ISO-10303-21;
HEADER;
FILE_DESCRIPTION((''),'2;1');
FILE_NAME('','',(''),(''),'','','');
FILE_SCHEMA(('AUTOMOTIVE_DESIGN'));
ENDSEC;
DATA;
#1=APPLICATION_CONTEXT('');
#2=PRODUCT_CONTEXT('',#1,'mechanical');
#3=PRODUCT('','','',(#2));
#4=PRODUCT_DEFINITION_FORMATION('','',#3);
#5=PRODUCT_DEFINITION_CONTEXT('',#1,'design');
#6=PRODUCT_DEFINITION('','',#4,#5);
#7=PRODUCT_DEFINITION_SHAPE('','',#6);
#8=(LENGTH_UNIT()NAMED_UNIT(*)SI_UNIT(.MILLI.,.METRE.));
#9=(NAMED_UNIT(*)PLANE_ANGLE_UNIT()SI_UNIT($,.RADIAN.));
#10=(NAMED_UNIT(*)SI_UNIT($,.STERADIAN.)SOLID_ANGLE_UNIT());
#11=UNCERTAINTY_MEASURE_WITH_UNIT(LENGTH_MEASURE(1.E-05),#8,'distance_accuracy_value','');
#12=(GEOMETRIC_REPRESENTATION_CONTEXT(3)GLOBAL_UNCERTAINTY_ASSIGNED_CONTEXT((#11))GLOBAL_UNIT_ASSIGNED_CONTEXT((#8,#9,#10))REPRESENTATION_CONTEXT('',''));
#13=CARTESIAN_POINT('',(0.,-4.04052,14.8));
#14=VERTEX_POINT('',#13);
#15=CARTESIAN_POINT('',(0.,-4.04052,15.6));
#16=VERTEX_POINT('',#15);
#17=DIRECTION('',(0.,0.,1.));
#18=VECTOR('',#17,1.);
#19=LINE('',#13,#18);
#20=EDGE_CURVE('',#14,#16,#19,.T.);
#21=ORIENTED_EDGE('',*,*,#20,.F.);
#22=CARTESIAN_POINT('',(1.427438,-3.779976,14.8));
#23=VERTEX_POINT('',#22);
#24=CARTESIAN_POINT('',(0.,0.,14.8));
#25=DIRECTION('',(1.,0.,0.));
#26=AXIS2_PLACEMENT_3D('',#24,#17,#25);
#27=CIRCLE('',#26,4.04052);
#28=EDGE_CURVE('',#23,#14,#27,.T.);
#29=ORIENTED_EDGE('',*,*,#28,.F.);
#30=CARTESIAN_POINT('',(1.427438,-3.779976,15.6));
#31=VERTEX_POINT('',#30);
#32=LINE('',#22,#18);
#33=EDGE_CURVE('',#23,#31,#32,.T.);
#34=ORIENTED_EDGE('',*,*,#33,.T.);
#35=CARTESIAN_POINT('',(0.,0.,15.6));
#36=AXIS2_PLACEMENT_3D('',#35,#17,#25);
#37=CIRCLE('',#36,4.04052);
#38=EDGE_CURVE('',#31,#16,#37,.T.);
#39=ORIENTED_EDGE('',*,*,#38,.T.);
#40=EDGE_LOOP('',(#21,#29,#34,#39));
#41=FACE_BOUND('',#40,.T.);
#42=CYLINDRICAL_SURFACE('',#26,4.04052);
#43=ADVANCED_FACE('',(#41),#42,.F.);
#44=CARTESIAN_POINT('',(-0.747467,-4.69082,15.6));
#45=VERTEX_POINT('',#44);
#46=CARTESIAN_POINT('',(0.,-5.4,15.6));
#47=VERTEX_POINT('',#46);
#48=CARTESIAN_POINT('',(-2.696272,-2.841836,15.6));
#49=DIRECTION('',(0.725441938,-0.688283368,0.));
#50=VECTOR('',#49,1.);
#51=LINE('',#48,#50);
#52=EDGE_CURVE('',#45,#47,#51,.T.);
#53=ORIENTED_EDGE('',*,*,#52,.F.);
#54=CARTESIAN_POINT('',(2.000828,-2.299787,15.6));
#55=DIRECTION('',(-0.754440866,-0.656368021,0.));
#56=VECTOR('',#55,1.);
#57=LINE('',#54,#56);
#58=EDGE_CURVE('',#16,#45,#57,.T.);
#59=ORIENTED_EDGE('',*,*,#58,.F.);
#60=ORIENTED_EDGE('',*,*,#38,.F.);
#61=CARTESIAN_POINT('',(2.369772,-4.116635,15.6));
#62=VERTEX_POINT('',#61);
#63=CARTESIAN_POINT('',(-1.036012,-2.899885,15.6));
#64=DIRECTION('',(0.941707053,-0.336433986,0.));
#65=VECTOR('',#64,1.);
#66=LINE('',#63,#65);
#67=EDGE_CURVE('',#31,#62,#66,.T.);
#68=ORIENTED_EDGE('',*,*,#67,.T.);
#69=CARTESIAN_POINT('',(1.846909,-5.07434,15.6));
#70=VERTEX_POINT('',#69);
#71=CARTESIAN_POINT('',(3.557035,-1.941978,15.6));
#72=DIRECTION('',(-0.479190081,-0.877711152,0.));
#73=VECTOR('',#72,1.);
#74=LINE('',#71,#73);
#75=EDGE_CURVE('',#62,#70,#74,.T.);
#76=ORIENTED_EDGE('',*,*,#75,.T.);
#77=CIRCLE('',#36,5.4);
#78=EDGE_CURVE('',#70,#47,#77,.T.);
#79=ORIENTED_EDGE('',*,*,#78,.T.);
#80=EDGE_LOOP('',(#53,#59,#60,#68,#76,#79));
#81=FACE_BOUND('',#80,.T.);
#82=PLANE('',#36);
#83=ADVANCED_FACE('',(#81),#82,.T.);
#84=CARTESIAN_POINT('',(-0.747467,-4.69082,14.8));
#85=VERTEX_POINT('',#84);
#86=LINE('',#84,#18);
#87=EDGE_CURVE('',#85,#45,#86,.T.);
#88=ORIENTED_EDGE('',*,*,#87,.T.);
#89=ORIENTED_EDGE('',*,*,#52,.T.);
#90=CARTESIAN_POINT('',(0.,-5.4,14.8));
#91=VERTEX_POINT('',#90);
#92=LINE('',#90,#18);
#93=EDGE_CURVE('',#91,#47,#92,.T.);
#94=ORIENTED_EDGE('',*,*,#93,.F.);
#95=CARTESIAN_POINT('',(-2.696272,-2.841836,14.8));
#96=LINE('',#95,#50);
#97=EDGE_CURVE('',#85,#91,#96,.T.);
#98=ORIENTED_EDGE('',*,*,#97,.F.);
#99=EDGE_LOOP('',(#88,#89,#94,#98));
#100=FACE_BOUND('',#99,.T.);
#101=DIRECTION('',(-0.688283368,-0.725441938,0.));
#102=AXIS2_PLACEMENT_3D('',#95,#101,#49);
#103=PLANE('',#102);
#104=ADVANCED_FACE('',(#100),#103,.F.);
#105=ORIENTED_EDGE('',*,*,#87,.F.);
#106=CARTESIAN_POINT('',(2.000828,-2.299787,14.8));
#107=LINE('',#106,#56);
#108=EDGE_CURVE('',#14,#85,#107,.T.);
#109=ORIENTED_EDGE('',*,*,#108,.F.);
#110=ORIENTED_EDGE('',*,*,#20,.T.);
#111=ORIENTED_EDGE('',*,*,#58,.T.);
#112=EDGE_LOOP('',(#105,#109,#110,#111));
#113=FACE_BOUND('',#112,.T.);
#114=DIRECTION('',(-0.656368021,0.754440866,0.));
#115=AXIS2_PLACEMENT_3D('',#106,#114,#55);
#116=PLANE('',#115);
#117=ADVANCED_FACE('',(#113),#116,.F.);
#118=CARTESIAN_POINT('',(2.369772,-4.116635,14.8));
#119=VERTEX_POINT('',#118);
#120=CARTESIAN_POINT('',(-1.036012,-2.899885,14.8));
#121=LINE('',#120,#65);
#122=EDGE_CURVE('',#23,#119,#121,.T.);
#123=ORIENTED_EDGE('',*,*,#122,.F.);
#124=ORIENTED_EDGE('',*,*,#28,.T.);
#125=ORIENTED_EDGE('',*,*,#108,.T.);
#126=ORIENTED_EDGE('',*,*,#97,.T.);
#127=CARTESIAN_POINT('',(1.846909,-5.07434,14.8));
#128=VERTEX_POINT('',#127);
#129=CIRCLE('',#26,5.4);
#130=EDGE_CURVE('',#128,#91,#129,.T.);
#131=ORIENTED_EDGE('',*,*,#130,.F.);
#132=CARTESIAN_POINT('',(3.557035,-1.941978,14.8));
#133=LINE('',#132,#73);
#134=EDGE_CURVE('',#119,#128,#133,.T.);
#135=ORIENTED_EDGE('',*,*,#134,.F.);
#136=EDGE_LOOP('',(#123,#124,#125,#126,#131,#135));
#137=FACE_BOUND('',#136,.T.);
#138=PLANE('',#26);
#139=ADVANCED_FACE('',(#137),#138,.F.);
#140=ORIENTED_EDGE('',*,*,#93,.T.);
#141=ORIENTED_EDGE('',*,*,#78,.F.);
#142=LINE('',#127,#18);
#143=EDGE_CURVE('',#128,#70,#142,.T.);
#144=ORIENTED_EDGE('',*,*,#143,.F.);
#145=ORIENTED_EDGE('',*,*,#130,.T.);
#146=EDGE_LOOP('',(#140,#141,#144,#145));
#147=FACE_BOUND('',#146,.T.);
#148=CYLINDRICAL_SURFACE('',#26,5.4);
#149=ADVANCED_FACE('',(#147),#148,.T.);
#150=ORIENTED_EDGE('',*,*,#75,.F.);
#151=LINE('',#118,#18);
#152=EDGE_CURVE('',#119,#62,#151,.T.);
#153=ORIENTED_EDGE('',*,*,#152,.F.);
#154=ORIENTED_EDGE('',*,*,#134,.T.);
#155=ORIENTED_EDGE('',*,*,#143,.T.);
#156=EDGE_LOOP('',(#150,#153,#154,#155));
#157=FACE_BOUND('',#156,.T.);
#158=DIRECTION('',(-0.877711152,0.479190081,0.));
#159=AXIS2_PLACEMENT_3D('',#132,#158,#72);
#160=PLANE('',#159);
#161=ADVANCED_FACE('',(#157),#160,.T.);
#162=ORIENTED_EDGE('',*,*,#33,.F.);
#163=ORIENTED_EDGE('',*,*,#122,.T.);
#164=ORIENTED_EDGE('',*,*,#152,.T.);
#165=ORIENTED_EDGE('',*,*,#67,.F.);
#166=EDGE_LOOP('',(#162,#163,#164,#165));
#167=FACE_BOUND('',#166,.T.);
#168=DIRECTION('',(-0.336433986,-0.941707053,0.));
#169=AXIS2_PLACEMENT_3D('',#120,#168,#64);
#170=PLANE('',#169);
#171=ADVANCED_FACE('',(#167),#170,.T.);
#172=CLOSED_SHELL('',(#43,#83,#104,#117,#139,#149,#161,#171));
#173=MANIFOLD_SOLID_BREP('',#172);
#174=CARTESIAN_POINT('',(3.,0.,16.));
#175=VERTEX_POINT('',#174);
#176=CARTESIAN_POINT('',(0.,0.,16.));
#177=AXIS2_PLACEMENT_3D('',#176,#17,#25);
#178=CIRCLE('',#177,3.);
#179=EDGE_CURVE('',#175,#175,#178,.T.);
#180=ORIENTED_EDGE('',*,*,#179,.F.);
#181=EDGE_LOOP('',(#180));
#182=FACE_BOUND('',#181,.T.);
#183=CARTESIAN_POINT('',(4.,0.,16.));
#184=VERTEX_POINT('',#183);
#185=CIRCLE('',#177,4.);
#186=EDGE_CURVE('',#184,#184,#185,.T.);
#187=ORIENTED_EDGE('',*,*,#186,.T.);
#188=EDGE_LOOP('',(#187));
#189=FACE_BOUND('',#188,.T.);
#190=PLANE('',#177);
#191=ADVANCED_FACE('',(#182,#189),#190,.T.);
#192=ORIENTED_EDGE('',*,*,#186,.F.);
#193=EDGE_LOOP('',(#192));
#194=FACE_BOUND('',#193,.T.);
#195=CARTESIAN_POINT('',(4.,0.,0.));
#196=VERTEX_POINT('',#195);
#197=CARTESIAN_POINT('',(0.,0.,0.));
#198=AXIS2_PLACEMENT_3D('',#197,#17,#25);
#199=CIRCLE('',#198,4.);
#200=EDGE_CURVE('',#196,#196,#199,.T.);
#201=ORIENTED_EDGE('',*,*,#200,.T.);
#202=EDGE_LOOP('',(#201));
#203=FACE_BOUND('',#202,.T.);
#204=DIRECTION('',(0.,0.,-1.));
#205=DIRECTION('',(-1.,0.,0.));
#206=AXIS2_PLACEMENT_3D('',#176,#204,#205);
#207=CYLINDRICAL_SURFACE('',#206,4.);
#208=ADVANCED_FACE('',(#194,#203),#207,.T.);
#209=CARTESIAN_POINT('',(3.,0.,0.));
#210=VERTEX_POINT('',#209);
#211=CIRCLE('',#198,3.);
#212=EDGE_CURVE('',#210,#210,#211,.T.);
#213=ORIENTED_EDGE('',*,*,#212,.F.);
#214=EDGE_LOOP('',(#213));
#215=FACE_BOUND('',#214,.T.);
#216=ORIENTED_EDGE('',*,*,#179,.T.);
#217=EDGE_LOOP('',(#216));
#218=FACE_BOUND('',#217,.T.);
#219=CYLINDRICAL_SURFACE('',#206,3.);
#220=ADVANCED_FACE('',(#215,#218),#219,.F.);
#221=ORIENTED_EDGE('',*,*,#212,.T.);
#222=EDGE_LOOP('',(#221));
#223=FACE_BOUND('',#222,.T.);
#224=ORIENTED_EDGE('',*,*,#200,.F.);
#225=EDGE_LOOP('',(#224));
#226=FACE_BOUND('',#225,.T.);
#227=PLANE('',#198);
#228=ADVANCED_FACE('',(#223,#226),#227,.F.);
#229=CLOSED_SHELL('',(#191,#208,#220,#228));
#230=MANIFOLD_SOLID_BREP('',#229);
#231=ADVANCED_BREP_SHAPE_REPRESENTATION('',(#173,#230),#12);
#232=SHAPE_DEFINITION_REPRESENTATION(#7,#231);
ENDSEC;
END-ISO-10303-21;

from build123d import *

# Parameters (mm, degrees)
SKETCH_1_R      = 4
SKETCH_1_R_2    = 3
EXTRUDE_1_DEPTH = 16
EXTRUDE_START   = -0.4
EXTRUDE_2_DEPTH = 0.8


with BuildPart() as part:
    # 草图1 → 凸台-拉伸1 (new body)
    with BuildSketch(Plane.XY):
        Circle(SKETCH_1_R)
        Circle(SKETCH_1_R_2, mode=Mode.SUBTRACT)
    extrude(amount=EXTRUDE_1_DEPTH)


with BuildPart() as body_2:
    # 草图2 → 凸台-拉伸2 (new body)
    with BuildSketch(Plane.XY.offset(16).offset(EXTRUDE_START)):
        with BuildLine():
            Line((0, -5.4), (-0.747466557, -4.690820157))
            ThreePointArc((-0.747466557, -4.690820157), (-3.083182922, 3.613375579), (4.75, 0))
            ThreePointArc((4.75, 0), (4.112111247, -2.377612477), (2.369772172, -4.11663453))
            Line((2.369772172, -4.11663453), (1.846908774, -5.074340152))
            ThreePointArc((1.846908774, -5.074340152), (4.423421039, -3.097312756), (5.4, 0))
            ThreePointArc((5.4, 0), (-3.818376618, 3.818376618), (0, -5.4))
        make_face()
        with BuildLine():
            Line((-0.747466557, -4.690820157), (0, -4.040519826))
            ThreePointArc((0, -4.040519826), (-2.857078969, 2.857078969), (4.040519826, 0))
            ThreePointArc((4.040519826, 0), (3.323656961, -2.297630273), (1.427437799, -3.779976428))
            Line((1.427437799, -3.779976428), (2.369772172, -4.11663453))
            ThreePointArc((2.369772172, -4.11663453), (4.112111247, -2.377612477), (4.75, 0))
            ThreePointArc((4.75, 0), (-3.083182922, 3.613375579), (-0.747466557, -4.690820157))
        make_face()
    extrude(amount=-EXTRUDE_2_DEPTH)


solid = Compound([part.part, body_2.part])
